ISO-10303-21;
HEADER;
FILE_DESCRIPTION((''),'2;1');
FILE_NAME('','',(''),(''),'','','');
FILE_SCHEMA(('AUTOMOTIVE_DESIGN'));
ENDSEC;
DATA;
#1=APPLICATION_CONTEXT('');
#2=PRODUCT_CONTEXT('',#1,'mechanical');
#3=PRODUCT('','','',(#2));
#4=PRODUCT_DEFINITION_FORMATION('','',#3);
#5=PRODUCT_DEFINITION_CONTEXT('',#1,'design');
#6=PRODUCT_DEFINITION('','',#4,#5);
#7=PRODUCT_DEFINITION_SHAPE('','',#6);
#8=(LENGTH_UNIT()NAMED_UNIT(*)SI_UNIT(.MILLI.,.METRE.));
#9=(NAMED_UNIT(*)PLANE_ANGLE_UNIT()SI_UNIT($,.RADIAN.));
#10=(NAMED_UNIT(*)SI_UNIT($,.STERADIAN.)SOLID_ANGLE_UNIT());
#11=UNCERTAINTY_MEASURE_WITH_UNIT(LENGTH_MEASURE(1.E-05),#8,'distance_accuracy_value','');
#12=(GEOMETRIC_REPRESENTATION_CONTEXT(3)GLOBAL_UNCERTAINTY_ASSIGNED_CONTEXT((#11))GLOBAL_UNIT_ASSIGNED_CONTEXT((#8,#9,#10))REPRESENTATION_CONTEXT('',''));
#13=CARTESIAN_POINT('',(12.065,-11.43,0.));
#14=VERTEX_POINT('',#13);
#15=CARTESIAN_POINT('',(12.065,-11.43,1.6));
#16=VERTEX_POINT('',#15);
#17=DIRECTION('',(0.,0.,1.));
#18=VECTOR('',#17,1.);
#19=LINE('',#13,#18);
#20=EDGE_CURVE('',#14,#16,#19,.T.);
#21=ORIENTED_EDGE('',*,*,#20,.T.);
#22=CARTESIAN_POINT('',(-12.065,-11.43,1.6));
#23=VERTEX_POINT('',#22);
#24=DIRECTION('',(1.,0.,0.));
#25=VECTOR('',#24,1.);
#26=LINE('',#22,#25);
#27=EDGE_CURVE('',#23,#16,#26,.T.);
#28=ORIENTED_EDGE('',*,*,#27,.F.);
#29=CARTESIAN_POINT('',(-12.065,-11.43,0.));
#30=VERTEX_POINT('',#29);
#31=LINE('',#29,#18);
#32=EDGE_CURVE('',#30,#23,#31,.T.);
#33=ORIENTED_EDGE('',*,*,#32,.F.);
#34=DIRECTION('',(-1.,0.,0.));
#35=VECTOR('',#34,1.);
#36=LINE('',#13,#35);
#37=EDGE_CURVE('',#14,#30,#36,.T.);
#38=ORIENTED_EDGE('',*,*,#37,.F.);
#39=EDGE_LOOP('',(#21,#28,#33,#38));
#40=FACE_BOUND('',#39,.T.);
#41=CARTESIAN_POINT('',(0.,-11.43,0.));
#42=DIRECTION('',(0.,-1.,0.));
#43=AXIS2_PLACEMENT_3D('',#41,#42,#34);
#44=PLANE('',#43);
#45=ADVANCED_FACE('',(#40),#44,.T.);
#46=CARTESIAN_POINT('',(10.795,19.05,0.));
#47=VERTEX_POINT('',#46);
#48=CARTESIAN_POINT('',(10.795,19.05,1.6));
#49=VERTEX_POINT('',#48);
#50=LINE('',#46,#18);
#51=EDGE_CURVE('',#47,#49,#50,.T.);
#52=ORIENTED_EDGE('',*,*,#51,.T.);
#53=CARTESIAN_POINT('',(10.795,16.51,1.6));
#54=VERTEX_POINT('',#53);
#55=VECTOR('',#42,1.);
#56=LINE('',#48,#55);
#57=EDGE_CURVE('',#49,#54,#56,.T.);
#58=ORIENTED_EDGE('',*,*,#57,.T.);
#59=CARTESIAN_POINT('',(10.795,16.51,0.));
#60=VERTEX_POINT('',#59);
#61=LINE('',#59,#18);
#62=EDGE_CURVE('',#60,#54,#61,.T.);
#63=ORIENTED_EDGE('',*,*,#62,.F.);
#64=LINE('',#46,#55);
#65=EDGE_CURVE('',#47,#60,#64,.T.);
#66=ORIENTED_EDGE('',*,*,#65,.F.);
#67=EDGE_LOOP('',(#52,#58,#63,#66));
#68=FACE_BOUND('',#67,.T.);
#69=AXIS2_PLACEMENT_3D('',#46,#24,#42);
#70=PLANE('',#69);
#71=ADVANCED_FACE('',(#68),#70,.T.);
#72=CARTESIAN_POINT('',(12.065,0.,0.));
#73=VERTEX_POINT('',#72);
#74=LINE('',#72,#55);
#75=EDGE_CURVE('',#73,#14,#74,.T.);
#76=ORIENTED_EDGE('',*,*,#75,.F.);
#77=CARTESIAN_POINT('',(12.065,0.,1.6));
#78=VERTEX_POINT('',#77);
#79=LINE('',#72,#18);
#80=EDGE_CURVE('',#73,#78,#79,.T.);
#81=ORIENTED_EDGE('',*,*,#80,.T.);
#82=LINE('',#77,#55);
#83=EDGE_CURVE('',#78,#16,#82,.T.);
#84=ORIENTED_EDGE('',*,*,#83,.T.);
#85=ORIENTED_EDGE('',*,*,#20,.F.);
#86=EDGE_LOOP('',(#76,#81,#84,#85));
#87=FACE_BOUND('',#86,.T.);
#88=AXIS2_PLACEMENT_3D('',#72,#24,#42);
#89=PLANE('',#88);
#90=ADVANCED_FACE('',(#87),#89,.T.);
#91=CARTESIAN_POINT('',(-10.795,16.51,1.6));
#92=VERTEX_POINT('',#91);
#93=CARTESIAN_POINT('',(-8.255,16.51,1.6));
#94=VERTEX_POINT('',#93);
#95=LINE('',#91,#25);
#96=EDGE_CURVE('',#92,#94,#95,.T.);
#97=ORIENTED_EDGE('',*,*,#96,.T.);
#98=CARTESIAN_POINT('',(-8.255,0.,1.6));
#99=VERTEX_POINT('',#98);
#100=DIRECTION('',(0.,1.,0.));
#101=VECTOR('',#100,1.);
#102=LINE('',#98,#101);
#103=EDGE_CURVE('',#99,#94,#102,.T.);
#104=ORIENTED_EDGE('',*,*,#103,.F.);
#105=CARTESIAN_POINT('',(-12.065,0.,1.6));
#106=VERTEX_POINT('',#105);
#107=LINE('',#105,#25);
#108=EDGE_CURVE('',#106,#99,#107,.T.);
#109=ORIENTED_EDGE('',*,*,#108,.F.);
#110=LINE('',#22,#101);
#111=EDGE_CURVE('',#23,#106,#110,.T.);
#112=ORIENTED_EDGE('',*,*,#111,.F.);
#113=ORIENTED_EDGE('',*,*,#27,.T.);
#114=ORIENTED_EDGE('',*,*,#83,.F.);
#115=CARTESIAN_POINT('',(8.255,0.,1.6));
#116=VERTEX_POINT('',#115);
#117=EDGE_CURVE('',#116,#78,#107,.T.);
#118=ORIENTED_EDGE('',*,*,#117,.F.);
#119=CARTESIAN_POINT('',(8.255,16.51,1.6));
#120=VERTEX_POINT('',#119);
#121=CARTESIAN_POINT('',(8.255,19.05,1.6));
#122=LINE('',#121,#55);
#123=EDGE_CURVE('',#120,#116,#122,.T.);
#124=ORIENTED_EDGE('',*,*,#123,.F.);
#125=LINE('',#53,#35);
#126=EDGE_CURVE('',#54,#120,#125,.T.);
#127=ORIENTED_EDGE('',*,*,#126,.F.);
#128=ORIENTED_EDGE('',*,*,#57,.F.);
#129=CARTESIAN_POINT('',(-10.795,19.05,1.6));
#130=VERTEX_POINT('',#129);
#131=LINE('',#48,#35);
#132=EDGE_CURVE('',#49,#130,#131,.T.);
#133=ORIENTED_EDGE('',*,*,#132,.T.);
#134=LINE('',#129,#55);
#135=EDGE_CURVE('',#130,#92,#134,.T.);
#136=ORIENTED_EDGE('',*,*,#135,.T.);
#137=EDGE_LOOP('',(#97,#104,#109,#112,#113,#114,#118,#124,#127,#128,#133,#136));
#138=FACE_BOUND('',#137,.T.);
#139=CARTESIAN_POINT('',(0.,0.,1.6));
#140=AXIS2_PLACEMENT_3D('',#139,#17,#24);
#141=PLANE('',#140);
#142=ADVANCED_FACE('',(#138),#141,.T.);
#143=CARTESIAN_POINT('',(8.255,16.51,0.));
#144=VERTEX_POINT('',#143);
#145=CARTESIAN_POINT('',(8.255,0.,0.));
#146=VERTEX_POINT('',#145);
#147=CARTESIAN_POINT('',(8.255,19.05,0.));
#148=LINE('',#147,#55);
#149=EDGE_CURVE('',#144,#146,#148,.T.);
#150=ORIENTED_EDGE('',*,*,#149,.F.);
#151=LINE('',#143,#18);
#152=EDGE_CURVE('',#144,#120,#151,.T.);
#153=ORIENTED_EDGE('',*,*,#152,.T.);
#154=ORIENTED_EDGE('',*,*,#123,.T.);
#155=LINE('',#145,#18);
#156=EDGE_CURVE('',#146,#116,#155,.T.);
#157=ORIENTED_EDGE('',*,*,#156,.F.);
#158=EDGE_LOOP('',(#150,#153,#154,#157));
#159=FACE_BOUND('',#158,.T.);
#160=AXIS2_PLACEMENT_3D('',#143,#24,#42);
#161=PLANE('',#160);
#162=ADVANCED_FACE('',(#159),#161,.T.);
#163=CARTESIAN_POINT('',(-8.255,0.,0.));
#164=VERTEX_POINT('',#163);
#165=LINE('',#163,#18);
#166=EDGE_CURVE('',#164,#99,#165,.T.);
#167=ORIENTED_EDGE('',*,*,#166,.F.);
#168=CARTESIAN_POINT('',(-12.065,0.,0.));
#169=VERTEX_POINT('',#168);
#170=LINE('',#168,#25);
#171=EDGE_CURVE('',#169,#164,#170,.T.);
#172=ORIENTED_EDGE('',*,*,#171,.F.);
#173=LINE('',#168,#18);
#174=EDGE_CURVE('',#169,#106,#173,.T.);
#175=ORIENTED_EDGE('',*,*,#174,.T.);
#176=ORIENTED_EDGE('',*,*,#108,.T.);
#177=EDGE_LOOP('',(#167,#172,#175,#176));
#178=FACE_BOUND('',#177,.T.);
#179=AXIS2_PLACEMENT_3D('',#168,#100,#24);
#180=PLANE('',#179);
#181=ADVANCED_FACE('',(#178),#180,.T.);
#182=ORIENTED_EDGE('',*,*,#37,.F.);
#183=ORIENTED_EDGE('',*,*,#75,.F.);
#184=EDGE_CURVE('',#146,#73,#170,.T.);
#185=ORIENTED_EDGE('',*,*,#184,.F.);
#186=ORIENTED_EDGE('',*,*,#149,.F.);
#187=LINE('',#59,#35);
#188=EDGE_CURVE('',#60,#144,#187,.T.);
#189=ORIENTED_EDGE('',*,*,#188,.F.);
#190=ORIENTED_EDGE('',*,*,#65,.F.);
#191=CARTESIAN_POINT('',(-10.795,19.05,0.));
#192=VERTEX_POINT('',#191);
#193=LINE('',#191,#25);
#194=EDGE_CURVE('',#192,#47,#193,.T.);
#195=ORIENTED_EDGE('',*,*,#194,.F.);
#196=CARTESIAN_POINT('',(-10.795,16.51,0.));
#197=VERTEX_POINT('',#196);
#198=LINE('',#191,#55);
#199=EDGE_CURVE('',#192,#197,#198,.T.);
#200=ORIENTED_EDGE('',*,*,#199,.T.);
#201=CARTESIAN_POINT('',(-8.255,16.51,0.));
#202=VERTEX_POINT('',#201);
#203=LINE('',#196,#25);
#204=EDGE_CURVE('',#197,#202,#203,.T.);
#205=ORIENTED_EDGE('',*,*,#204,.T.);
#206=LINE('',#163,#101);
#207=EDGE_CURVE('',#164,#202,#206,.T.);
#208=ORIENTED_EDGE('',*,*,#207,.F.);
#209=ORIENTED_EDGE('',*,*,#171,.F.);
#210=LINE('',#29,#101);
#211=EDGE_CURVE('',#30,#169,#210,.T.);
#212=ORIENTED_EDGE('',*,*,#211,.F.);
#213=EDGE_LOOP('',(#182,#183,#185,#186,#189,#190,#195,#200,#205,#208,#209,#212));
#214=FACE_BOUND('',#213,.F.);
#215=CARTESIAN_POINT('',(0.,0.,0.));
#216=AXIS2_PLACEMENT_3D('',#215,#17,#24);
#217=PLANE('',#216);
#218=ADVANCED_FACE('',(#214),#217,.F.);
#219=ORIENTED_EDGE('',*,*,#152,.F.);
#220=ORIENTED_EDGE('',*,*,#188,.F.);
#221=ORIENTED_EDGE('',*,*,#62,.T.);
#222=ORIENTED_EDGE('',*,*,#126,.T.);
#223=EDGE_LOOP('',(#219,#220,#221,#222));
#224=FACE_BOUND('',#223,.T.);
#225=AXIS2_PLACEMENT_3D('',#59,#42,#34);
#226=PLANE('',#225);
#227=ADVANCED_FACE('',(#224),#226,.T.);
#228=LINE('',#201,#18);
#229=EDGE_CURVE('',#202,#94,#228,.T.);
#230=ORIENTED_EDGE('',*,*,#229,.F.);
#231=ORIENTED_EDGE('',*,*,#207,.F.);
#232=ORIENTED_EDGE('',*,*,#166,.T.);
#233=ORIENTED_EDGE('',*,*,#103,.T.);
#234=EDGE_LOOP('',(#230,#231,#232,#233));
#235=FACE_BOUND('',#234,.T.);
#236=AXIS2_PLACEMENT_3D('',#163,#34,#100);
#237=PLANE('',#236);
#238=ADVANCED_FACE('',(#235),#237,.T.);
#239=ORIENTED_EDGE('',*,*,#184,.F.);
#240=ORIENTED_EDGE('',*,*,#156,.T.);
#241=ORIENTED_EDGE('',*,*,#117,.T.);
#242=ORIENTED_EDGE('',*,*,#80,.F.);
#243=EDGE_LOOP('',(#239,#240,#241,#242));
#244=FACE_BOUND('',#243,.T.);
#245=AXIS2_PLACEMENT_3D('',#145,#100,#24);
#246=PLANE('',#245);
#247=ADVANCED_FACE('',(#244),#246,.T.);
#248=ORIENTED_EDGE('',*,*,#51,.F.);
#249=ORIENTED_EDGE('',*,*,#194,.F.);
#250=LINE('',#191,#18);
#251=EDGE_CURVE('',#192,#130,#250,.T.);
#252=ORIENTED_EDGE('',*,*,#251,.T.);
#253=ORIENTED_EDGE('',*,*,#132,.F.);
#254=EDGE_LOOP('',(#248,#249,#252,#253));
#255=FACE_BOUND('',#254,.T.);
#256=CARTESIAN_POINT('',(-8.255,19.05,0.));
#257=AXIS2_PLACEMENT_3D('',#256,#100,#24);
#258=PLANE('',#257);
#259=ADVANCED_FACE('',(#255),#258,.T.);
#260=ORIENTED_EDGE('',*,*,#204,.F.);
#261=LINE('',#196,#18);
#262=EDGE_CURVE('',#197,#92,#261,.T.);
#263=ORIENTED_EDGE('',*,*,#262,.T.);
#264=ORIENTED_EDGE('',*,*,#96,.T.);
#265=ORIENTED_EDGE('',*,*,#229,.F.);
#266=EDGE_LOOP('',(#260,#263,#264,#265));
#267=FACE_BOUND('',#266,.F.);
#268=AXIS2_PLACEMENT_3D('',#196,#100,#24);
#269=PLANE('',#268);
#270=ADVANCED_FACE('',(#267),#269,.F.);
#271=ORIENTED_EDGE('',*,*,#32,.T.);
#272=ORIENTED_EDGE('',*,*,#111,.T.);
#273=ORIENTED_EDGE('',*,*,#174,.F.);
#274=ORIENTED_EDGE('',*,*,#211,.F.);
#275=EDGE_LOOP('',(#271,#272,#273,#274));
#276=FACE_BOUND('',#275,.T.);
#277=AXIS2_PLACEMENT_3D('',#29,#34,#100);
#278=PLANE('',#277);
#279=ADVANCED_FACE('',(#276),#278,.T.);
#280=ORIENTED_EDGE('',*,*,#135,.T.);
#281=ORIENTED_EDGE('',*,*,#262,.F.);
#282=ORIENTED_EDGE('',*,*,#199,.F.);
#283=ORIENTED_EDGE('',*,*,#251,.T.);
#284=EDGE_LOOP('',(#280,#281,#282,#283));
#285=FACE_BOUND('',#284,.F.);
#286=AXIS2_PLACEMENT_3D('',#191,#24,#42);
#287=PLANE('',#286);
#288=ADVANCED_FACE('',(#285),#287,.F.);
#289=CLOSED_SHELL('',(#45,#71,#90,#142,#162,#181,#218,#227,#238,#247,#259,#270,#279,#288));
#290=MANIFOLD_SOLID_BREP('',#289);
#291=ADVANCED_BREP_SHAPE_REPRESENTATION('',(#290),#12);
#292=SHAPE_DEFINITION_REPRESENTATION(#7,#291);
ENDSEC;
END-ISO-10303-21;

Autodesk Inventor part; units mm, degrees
ref_plane "YZ Plane" through (0, 0, 0) normal (1, 0, 0) x (0, 1, 0)
ref_plane "XZ Plane" through (0, 0, 0) normal (0, 1, 0) x (-1, 0, 0)
ref_plane "XY Plane" through (0, 0, 0) normal (0, 0, 1) x (1, 0, 0)
sketch "Sketch3" plane through (0, 0, 0) normal (0, 0, 1) x (1, 0, 0)
  line L0 (-12.065, 0) -> (12.065, 0)
  line L1 (12.065, 0) -> (12.065, -11.43)
  line L2 (12.065, -11.43) -> (-12.065, -11.43)
  line L3 (-12.065, -11.43) -> (-12.065, 0)
  line L4 (-8.255, 19.05) -> (8.255, 19.05)
  line L5 (8.255, 19.05) -> (8.255, 0)
  line L6 (8.255, 0) -> (-8.255, 0)
  line L7 (-8.255, 0) -> (-8.255, 19.05)
  line L8 (-8.255, 19.05) -> (-10.795, 19.05)
  line L9 (-10.795, 19.05) -> (-10.795, 16.51)
  line L10 (-10.795, 16.51) -> (-8.255, 16.51)
  line L11 (0, -17.526) -> (0, 25.146) projected
  line L12 (8.255, 19.05) -> (10.795, 19.05)
  line L13 (10.795, 19.05) -> (10.795, 16.51)
  line L14 (10.795, 16.51) -> (8.255, 16.51)
  line L15 (8.255, 19.05) -> (8.255, 16.51)
  point P0 (0, 0)
  point P1 (0, -11.43)
  point P2 (0, 0)
  dimension "d0" = 24.13
  dimension "d1" = 11.43
  dimension "d2" = 19.05
  dimension "d3" = 16.51
  dimension "d6" = 2.54
  dimension "d7" = 2.54
extrude "Extrusion2" add sketch "Sketch3" along normal blind 1.6
properties part number "PCB"
